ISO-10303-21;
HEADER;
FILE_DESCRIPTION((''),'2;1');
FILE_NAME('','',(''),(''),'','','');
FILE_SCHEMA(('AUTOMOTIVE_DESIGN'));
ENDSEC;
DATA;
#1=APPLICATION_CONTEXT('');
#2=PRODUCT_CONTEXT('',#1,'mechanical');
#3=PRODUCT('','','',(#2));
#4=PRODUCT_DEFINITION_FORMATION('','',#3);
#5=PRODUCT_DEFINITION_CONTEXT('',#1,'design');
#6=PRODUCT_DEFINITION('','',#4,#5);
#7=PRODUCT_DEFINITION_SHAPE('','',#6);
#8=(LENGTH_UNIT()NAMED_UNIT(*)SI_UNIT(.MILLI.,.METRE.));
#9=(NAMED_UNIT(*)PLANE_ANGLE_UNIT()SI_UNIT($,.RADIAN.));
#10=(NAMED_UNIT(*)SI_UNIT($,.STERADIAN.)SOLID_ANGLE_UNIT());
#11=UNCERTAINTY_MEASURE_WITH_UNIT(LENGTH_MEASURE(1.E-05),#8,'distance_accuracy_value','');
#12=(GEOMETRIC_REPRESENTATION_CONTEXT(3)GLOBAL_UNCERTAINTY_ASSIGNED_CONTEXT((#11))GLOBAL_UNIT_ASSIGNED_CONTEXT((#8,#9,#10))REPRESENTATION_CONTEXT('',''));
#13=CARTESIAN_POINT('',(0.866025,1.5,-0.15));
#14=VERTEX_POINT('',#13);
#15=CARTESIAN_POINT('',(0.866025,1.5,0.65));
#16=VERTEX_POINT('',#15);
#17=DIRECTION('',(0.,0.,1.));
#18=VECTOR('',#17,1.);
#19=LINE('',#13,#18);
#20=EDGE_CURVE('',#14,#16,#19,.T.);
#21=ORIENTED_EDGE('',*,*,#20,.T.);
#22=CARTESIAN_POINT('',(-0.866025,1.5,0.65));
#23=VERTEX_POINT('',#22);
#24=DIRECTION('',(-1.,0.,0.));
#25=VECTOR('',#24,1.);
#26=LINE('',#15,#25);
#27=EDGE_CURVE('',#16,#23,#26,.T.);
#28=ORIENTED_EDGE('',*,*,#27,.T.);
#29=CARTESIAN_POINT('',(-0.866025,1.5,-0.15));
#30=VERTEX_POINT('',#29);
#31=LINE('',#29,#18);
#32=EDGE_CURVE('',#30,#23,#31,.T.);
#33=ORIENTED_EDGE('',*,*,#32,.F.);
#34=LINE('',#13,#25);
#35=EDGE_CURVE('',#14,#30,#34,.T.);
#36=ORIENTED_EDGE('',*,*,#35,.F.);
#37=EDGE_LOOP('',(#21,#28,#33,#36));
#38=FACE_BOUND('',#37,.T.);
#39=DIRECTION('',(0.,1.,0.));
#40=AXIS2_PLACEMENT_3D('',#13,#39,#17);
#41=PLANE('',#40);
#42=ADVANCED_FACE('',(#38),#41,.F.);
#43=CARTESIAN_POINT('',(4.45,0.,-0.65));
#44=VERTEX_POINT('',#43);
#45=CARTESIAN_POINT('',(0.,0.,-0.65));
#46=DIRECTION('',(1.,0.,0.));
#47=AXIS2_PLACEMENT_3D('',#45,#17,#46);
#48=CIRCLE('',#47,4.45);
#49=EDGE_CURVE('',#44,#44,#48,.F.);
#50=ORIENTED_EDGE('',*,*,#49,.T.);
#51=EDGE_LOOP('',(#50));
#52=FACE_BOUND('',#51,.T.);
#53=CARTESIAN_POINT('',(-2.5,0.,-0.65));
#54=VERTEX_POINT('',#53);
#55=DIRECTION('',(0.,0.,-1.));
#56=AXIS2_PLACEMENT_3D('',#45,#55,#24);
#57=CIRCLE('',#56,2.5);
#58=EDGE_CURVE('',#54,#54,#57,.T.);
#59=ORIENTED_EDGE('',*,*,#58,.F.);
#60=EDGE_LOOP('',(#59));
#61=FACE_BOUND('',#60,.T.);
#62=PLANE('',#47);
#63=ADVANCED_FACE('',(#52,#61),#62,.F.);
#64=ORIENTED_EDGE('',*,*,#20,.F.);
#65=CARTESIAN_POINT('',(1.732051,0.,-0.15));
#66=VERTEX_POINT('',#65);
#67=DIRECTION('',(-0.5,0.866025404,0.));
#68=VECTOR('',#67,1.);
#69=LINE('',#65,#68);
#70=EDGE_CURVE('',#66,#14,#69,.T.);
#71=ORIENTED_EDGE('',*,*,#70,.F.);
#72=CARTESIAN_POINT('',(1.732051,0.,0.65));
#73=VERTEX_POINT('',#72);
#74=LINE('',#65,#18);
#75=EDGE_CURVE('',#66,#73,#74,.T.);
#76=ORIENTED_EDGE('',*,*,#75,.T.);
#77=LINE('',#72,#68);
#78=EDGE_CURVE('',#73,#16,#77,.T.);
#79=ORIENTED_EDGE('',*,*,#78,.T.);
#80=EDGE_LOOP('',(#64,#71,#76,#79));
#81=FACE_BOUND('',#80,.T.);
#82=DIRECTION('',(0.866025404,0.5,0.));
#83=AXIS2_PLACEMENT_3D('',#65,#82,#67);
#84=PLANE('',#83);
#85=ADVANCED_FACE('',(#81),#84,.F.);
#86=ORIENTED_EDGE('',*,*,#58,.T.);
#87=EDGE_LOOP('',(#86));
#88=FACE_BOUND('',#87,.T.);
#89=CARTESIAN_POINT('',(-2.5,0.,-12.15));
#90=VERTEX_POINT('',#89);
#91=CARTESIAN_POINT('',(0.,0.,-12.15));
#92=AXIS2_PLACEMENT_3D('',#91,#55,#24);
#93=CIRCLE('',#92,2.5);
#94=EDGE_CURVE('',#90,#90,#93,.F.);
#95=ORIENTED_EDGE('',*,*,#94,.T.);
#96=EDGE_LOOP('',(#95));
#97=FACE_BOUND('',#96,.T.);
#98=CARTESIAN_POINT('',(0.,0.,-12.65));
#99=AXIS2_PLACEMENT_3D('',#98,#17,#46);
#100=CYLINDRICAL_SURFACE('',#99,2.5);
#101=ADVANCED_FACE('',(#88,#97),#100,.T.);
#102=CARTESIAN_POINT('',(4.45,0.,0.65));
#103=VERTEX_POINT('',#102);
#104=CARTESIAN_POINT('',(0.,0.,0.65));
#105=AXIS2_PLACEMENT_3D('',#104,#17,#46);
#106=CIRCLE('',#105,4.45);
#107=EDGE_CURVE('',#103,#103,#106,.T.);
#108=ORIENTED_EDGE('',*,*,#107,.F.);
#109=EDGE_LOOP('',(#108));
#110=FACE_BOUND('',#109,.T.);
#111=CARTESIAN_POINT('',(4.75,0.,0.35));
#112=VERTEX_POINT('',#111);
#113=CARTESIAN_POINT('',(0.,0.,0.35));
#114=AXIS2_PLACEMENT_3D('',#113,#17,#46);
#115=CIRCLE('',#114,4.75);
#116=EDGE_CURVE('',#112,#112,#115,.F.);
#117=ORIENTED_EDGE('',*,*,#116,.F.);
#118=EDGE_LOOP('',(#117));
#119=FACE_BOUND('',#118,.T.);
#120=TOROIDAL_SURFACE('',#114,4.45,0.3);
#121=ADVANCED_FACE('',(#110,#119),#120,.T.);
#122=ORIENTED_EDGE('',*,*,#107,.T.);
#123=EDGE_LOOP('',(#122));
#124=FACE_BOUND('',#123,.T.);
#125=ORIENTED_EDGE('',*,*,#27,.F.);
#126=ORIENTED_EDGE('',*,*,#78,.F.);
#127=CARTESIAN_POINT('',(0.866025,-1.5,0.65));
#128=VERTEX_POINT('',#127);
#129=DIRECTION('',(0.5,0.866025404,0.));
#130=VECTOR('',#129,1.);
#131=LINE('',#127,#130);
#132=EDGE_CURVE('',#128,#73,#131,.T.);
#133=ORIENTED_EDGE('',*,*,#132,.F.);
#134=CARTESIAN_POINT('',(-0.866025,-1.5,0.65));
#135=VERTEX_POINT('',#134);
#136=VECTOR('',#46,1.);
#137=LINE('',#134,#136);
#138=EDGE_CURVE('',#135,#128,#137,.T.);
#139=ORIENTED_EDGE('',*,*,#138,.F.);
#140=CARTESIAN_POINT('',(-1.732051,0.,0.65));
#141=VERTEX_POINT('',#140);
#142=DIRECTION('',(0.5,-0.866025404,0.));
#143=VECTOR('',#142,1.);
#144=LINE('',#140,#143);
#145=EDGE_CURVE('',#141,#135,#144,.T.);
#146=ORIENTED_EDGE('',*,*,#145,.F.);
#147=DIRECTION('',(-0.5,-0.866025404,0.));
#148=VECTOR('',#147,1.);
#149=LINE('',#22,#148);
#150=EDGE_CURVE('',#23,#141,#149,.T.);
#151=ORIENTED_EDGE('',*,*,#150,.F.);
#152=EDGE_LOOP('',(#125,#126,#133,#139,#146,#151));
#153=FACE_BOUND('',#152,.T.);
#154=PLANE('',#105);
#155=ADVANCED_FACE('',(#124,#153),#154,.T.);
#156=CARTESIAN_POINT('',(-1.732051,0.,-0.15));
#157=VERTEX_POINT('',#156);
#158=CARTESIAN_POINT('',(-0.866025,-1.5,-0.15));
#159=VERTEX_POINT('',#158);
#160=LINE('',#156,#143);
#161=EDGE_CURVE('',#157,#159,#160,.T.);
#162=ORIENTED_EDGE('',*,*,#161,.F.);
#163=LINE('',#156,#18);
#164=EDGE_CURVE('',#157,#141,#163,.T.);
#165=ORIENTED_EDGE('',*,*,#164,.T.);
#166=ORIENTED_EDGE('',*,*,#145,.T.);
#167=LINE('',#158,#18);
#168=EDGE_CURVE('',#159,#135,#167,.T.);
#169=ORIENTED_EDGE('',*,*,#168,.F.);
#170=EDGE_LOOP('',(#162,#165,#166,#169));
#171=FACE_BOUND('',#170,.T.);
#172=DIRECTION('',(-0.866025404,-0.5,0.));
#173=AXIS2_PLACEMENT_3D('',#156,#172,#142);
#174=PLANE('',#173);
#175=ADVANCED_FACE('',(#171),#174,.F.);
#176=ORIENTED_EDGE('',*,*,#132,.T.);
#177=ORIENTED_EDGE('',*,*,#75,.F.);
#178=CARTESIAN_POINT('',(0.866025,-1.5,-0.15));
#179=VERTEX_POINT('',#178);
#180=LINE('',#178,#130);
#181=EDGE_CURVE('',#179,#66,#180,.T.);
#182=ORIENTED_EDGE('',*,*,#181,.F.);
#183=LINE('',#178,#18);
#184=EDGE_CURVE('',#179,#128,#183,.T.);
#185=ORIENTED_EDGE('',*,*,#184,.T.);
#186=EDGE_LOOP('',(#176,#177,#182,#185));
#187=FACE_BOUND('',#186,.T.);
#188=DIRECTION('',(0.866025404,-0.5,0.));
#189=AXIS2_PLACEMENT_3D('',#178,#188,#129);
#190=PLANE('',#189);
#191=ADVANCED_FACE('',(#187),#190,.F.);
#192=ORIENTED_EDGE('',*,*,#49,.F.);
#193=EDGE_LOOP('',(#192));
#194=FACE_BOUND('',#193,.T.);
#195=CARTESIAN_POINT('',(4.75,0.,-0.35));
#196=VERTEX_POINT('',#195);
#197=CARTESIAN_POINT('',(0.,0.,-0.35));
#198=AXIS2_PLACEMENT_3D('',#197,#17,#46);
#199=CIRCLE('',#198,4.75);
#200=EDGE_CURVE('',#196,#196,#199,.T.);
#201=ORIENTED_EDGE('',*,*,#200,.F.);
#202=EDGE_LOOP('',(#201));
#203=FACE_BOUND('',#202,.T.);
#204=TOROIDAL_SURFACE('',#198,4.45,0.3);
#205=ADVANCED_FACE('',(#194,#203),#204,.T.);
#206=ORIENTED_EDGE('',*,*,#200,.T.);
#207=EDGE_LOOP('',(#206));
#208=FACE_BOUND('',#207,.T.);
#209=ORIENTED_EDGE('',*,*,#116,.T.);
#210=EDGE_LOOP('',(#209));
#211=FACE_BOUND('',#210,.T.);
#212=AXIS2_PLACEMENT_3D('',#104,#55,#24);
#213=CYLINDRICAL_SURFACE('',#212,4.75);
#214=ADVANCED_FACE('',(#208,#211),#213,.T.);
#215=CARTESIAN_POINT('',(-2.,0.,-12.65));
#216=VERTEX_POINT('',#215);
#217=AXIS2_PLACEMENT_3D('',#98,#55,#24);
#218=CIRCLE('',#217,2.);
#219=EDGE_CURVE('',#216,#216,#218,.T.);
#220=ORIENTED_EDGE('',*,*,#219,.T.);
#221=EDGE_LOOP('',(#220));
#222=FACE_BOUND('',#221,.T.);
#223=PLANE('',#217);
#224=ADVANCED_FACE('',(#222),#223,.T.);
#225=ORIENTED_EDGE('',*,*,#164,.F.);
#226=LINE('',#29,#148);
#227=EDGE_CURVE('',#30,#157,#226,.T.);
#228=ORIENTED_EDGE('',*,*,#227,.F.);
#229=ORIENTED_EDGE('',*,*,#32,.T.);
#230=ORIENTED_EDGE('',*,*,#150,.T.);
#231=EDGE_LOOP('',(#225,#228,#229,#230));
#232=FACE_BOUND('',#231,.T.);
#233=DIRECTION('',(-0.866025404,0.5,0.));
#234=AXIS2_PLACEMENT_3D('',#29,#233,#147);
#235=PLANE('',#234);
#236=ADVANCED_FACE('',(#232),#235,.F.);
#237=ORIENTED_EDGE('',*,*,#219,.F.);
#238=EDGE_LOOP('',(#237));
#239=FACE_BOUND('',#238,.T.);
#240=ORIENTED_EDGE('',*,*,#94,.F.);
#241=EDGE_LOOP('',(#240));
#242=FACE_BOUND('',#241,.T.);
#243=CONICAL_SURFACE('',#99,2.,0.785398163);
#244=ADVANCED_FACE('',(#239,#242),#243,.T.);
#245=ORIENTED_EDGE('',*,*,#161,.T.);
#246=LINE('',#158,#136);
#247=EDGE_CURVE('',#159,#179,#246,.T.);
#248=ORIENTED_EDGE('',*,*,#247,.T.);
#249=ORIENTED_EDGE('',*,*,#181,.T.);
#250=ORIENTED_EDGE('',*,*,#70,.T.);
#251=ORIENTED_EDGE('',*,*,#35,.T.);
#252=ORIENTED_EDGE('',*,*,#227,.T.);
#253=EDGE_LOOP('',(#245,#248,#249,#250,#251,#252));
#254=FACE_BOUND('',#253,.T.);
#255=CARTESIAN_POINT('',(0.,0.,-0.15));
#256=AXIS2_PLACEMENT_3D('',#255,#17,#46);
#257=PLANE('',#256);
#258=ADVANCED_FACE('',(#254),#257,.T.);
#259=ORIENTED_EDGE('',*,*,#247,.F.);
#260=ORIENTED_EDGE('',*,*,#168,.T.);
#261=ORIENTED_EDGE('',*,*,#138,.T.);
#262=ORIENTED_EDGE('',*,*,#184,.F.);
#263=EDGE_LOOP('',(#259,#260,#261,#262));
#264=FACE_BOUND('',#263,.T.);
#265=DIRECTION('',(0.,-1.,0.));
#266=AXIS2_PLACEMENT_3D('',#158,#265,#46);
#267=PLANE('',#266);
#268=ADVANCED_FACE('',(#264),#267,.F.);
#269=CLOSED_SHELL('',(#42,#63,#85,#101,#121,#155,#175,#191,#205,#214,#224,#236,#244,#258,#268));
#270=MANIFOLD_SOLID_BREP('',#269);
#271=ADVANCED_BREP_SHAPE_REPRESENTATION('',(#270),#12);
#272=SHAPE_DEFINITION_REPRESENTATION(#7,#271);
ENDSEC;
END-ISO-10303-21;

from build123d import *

# Parameters (mm, degrees)
SKETCH_1_R          = 4.75
EXTRUDE_1_DEPTH     = 0.65
SKETCH_2_R          = 2.5
EXTRUDE_2_DEPTH     = 12
CHAMFER_1_SIZE      = 0.5
CUT_EXTRUDE_1_DEPTH = 0.8
FILLET_2_R          = 0.3


with BuildPart() as part:
    # 草图1 → 凸台-拉伸1 (new, symmetric)
    with BuildSketch(Plane.XY):
        Circle(SKETCH_1_R)
    extrude(amount=EXTRUDE_1_DEPTH, both=True)

    # 草图2 → 凸台-拉伸2 (add)
    with BuildSketch(Plane(origin=(0, 0, -0.65), x_dir=(-1, 0, 0), z_dir=(0, 0, -1))):
        Circle(SKETCH_2_R)
    extrude(amount=EXTRUDE_2_DEPTH)

    # 倒角1
    chamfer_1_edges = [part.edges().sort_by_distance(p)[0] for p in [
        (2.5, 0, -12.65),
    ]]
    chamfer(chamfer_1_edges, length=CHAMFER_1_SIZE)

    # 草图3 → 切除-拉伸1 (cut)
    with BuildSketch(Plane.XY.offset(0.65)):
        Polygon((1.732050808, 0), (0.866025404, 1.5), (-0.866025404, 1.5), (-1.732050808, 0), (-0.866025404, -1.5), (0.866025404, -1.5), align=None)
    extrude(amount=-CUT_EXTRUDE_1_DEPTH, mode=Mode.SUBTRACT)

    # 圆角2
    fillet_2_edges = [part.edges().sort_by_distance(p)[0] for p in [
        (-4.75, 0, -0.65),
        (-4.75, 0, 0.65),
    ]]
    fillet(fillet_2_edges, radius=FILLET_2_R)


solid = part.part
